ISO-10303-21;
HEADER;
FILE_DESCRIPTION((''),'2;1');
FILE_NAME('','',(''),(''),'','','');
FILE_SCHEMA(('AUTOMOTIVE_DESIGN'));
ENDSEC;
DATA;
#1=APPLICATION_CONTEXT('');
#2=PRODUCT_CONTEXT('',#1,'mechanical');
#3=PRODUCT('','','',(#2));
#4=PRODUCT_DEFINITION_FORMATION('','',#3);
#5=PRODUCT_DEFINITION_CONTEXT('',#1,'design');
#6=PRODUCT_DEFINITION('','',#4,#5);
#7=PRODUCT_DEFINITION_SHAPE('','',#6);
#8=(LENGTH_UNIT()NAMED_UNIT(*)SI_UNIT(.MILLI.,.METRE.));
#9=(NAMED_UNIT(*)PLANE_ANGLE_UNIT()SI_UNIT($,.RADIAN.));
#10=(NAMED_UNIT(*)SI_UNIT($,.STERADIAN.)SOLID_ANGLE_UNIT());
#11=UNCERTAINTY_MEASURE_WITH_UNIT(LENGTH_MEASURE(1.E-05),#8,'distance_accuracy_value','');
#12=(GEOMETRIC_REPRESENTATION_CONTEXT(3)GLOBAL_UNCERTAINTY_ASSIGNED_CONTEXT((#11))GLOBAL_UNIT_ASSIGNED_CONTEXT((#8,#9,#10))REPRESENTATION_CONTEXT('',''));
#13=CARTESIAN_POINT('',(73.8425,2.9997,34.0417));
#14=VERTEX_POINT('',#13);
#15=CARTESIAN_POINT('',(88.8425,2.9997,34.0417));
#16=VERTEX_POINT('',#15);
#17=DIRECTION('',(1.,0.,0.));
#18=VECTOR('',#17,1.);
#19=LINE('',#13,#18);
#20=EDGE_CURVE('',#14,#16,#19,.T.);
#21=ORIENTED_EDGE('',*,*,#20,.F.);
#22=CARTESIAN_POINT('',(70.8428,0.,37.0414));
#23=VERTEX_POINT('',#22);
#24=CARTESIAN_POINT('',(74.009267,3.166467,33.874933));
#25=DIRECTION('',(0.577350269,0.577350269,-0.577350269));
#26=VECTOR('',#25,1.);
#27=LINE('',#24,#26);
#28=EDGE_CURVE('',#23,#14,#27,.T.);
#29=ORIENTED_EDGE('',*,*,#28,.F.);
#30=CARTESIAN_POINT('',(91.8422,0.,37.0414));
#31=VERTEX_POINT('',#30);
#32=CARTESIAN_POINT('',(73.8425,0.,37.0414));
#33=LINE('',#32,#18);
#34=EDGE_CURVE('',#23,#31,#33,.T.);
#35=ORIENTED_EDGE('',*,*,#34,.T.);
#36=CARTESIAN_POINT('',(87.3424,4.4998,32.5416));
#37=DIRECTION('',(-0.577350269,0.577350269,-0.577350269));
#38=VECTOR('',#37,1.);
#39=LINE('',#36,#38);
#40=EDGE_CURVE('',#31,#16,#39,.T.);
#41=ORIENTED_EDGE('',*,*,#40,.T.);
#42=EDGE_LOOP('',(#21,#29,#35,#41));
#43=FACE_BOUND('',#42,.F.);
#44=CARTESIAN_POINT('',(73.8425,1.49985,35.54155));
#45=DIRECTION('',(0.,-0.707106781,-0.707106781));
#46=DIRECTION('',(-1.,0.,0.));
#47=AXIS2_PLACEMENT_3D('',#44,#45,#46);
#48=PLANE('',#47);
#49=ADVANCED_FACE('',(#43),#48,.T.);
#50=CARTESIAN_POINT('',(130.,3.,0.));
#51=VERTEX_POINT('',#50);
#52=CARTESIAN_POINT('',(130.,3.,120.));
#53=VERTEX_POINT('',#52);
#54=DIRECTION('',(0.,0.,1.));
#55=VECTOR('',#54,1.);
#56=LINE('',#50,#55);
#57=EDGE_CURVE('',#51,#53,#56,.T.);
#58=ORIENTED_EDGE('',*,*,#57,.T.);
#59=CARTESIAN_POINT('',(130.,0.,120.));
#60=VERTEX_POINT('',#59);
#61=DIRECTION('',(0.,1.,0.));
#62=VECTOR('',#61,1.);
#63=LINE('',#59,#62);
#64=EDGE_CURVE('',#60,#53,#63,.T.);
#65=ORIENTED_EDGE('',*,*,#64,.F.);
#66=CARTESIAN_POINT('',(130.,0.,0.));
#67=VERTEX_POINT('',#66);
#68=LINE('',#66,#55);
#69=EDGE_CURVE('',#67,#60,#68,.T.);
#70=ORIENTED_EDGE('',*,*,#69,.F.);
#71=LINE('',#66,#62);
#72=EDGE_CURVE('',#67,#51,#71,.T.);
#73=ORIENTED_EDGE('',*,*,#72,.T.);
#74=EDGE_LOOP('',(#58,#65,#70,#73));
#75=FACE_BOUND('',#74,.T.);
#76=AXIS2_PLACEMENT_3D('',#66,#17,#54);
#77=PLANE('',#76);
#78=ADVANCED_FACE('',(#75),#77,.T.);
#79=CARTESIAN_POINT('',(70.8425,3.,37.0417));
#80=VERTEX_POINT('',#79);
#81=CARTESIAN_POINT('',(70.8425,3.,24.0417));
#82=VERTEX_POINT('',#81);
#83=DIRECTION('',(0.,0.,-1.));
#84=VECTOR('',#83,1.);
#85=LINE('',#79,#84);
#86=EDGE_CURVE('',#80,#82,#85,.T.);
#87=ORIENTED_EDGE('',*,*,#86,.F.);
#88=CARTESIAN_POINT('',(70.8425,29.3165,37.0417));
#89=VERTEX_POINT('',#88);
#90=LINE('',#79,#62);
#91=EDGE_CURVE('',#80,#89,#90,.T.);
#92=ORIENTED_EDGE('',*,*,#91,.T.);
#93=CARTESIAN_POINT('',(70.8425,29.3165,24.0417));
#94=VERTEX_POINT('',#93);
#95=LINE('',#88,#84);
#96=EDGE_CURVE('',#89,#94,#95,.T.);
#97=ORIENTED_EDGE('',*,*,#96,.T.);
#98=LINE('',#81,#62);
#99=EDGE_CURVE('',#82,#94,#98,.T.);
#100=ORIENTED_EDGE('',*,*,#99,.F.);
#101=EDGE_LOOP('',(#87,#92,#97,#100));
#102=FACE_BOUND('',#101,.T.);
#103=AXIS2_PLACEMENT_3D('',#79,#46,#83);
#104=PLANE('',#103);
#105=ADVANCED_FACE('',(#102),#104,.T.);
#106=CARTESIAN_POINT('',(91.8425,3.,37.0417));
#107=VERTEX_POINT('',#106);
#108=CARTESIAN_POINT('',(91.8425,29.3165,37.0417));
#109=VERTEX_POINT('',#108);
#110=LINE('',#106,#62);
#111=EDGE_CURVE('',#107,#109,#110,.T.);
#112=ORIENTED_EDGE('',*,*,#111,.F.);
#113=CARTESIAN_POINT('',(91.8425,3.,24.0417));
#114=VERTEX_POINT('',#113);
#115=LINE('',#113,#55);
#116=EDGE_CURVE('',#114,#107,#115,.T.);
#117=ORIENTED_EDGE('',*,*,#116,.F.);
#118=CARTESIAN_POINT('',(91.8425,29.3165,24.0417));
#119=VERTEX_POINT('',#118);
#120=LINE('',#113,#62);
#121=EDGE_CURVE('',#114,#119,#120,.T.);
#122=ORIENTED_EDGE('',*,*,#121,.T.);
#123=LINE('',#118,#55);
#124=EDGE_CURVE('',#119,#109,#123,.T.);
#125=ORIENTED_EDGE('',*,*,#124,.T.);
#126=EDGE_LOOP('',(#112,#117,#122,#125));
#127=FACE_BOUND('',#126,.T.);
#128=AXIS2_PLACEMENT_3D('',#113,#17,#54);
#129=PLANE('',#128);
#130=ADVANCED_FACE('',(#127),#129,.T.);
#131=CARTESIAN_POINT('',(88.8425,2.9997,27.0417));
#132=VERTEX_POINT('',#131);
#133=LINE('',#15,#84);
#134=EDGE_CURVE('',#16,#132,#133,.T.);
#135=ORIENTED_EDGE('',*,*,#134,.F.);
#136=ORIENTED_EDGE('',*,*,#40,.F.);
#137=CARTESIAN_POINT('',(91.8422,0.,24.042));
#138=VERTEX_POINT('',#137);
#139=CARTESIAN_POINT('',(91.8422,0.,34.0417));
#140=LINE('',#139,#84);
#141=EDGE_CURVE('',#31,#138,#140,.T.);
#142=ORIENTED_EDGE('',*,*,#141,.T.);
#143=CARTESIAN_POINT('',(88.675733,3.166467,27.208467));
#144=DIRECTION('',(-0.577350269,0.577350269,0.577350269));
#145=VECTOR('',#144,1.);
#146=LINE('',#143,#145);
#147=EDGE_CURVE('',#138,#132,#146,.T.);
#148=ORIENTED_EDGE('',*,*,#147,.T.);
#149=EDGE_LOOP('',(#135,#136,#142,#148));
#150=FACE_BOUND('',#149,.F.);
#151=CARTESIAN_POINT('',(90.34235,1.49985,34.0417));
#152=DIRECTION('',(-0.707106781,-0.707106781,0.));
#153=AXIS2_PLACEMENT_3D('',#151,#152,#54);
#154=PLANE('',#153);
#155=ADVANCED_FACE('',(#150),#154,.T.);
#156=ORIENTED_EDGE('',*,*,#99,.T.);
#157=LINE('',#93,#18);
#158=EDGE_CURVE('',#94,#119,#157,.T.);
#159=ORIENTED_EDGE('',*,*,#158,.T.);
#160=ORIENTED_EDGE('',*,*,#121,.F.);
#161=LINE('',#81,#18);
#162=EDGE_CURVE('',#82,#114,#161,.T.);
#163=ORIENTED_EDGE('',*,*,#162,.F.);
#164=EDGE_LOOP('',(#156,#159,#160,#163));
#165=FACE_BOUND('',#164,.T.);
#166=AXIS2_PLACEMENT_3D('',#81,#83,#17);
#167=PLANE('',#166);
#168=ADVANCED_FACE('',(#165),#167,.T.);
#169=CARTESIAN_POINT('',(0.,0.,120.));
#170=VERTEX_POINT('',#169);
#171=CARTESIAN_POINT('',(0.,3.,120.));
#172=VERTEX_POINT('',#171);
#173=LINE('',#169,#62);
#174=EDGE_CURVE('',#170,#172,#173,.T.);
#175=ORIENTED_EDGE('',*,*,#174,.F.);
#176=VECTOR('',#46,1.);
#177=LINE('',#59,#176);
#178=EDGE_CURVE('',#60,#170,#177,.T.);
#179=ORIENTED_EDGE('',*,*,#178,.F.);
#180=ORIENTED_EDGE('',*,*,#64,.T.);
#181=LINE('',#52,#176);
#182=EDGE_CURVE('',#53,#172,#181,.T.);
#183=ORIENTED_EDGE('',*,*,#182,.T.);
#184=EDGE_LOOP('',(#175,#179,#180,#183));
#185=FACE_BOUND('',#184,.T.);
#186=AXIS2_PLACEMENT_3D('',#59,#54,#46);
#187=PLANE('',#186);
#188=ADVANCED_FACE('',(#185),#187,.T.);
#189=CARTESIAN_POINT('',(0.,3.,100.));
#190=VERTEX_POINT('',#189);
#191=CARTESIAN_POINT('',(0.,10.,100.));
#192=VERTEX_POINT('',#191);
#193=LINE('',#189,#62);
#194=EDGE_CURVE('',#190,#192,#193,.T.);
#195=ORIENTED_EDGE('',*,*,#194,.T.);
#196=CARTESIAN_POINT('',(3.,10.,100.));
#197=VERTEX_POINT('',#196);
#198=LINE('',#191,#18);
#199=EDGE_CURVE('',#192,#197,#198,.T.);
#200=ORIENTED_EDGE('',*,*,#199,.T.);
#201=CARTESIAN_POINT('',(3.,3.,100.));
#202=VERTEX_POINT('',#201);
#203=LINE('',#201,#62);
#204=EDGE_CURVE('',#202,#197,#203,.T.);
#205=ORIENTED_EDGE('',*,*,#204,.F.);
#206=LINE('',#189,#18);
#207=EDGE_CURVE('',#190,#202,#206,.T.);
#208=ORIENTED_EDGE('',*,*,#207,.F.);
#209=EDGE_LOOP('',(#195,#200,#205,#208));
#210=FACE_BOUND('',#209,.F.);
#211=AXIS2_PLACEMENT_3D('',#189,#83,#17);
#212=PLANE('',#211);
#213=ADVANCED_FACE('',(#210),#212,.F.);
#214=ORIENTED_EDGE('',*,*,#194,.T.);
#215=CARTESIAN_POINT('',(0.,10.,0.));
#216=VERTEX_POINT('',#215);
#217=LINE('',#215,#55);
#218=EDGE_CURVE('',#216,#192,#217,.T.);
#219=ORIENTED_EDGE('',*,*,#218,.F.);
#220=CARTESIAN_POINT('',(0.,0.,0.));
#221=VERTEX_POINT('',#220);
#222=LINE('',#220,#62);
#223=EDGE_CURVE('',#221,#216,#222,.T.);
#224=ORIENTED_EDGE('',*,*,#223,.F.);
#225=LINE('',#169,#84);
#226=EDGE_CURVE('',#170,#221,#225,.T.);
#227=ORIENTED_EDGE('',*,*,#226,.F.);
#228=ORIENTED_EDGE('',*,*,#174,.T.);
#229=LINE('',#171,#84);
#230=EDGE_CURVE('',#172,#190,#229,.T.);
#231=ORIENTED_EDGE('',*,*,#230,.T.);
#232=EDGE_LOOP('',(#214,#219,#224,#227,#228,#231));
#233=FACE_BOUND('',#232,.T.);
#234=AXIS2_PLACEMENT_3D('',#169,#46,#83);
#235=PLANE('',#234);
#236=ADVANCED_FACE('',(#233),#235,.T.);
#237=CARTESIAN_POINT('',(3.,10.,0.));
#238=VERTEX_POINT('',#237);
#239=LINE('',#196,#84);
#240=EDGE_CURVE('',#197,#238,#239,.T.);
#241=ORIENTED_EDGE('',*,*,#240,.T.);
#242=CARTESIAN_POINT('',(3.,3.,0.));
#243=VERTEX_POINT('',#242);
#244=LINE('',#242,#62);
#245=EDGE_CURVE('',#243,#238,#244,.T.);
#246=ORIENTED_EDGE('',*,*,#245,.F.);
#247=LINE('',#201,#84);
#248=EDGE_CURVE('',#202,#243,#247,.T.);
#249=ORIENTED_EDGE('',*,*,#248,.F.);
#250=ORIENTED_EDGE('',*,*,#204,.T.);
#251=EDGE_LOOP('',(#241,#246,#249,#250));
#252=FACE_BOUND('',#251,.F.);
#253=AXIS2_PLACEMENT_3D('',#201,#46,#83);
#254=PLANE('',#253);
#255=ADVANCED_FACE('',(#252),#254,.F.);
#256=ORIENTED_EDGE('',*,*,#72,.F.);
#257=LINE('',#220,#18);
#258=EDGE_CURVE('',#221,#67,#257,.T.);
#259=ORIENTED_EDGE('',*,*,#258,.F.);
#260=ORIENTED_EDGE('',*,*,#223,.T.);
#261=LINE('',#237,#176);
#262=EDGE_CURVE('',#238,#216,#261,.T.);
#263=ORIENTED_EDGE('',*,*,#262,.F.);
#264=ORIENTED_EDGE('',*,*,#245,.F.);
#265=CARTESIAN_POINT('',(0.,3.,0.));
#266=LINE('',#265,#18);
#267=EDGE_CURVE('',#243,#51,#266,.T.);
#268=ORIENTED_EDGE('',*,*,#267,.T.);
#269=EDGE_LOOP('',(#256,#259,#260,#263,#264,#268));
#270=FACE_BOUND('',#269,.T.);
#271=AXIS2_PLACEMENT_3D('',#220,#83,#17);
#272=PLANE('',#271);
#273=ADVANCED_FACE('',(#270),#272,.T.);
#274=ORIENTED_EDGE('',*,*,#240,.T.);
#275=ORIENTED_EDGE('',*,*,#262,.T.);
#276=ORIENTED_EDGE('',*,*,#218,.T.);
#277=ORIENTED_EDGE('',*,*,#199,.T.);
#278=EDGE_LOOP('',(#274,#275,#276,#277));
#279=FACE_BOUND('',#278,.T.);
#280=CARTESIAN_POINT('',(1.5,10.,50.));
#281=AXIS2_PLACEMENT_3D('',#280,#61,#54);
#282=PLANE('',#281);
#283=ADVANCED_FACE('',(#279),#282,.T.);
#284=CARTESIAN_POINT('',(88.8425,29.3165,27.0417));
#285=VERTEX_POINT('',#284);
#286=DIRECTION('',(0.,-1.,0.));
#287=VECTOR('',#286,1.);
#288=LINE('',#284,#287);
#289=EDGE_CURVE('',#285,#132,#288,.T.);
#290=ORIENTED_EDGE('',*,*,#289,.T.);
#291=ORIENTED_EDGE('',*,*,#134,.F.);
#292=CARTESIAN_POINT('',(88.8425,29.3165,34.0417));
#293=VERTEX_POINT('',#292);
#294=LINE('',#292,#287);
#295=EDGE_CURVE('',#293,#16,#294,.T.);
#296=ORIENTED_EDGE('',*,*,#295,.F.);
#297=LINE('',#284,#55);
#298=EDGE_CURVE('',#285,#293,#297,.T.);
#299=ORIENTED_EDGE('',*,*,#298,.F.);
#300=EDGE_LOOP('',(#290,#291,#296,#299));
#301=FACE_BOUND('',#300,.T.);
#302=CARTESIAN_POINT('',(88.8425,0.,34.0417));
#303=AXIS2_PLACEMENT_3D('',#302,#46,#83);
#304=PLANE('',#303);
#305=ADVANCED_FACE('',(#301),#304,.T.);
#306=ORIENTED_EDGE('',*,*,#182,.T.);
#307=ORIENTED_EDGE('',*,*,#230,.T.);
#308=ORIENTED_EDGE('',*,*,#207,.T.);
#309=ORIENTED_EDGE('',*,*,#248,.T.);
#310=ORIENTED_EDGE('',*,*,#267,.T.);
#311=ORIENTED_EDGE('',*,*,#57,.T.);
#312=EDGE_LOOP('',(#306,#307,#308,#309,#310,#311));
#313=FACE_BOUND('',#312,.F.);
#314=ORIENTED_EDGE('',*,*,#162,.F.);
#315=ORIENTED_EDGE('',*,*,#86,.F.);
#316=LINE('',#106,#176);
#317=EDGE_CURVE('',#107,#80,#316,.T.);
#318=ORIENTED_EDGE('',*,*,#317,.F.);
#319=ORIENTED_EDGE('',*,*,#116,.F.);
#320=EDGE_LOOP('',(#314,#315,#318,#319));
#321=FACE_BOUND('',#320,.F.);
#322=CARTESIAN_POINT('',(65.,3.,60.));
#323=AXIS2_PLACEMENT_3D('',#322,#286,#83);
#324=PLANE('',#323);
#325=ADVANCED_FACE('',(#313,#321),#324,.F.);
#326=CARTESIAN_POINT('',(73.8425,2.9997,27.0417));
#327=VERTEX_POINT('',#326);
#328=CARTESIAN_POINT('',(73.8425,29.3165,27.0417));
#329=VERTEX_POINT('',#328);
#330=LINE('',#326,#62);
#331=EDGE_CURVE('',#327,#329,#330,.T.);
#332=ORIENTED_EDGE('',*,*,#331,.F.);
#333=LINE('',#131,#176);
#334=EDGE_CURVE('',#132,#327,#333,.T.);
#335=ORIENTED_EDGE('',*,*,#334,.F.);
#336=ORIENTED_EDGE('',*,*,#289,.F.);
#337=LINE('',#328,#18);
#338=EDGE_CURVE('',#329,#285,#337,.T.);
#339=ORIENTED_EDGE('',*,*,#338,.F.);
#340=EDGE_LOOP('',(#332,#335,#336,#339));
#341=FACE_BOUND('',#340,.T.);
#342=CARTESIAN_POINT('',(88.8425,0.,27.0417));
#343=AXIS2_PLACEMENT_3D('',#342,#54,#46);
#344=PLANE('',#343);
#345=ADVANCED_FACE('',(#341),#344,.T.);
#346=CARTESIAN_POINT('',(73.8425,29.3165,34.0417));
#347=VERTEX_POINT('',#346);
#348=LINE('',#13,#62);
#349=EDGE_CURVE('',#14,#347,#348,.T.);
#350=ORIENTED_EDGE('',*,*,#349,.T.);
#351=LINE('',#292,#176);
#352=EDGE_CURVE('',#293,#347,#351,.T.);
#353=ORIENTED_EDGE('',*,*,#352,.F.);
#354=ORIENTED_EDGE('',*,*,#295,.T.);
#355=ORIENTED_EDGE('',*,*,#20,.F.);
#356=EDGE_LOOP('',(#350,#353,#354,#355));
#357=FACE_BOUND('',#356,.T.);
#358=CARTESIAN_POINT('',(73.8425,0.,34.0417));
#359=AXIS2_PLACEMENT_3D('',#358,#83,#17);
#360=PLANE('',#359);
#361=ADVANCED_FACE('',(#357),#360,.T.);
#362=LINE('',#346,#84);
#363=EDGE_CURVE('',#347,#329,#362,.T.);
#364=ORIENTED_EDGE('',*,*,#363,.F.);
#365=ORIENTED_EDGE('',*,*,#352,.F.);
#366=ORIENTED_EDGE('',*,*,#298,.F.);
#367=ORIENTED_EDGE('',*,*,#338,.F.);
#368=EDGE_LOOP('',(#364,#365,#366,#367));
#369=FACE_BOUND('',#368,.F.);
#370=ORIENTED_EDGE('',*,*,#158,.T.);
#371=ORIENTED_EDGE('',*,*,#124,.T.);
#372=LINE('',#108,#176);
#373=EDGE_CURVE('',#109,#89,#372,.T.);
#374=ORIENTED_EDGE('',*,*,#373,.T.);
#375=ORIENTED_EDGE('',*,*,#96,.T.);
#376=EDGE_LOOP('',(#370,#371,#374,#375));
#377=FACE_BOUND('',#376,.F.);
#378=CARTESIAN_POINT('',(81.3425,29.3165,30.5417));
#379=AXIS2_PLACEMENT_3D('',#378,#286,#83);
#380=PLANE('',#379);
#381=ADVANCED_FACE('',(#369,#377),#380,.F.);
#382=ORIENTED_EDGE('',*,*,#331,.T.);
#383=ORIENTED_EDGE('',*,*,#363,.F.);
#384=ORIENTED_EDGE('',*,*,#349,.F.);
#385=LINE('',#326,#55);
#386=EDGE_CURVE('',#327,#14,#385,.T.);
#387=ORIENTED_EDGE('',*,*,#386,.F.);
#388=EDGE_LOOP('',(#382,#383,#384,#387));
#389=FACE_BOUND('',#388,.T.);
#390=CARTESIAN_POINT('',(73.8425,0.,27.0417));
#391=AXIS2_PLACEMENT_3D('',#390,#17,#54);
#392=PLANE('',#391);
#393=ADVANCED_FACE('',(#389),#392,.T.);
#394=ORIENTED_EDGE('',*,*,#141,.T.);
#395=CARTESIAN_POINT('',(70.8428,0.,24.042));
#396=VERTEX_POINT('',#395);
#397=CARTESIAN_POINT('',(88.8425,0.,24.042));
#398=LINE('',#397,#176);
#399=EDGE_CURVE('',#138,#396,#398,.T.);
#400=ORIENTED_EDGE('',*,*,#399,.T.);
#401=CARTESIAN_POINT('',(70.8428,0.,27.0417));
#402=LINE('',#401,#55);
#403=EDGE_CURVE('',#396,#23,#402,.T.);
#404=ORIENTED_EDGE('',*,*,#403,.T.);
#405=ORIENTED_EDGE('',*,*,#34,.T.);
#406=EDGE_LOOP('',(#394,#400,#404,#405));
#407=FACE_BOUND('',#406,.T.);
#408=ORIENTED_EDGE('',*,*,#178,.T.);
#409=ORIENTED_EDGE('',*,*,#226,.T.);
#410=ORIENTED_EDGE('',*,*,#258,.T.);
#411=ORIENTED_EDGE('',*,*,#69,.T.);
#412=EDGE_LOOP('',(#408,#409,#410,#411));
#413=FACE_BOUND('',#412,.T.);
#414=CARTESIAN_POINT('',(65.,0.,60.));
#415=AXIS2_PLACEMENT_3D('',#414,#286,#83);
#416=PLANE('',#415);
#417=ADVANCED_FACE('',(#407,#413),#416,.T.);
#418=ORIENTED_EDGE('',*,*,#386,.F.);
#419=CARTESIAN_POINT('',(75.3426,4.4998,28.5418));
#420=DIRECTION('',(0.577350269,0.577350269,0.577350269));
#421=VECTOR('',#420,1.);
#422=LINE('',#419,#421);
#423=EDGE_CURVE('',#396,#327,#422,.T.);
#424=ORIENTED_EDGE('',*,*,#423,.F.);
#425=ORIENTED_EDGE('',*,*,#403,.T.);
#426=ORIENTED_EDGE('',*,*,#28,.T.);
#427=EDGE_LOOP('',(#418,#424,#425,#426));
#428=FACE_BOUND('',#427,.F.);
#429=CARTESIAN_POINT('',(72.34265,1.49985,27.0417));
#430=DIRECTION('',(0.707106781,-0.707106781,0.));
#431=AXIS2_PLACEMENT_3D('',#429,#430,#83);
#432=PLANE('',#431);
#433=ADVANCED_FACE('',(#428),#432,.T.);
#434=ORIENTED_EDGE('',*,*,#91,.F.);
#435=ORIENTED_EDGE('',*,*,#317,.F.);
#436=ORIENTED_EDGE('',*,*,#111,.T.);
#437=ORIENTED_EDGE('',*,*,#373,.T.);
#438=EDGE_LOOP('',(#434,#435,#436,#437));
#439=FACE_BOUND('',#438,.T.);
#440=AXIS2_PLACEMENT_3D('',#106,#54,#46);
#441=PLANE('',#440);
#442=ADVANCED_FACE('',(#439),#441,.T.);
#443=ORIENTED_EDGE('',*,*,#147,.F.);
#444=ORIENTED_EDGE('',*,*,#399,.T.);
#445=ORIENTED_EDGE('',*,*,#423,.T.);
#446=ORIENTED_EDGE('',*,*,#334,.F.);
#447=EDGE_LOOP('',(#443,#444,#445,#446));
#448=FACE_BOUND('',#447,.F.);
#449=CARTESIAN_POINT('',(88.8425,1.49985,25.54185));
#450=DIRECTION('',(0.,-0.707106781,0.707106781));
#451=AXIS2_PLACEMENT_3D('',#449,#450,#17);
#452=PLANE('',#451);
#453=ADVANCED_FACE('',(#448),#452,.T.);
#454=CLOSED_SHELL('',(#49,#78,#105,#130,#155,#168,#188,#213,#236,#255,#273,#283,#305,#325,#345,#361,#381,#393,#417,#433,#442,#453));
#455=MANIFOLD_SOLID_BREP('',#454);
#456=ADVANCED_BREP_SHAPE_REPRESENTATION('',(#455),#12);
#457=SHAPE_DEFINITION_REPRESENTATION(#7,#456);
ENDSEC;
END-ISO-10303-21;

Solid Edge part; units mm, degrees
sketch "Sketch1" plane through (0, 0, 0) normal (0, -1, 0) x (1, 0, 0)
  line L0 (130, 0) -> (130, 120)
  line L1 (130, 120) -> (0, 120)
  line L2 (0, 120) -> (0, 0)
  line L3 (0, 0) -> (130, 0)
extrude "Protrusion1" add sketch "Sketch1" against normal blind 3
sketch "Sketch2" plane through (66.405, 0, 60) normal (0, -1, 0) x (1, 0, 0)
  line L0 (22.4375, -32.9583) -> (7.4375, -32.9583)
  line L1 (7.4375, -32.9583) -> (7.4375, -25.9583)
  line L2 (7.4375, -25.9583) -> (22.4375, -25.9583)
  line L3 (22.4375, -25.9583) -> (22.4375, -32.9583)
extrude "Recorte_Extrudado_3" cut sketch "Sketch2" against normal blind 36.068
chamfer "Chanfro_1" distance 3 angle 45 4 edges at (81.3425, 0, 34.0417) (88.8425, 0, 30.5417) (81.3425, 0, 27.0417) (73.8425, 0, 30.5417)
sketch "Sketch3" plane through (67.905, 3, 60) normal (0, 1, 0) x (-1, 0, 0)
  line L0 (-2.9375, -35.9583) -> (-23.9375, -35.9583)
  line L1 (-23.9375, -35.9583) -> (-23.9375, -22.9583)
  line L2 (-23.9375, -22.9583) -> (-2.9375, -22.9583)
  line L3 (-2.9375, -22.9583) -> (-2.9375, -35.9583)
  line L4 (-5.9375, -32.9583) -> (-20.9375, -32.9583)
  line L5 (-20.9375, -32.9583) -> (-20.9375, -25.9583)
  line L6 (-20.9375, -25.9583) -> (-5.9375, -25.9583)
  line L7 (-5.9375, -25.9583) -> (-5.9375, -32.9583)
extrude "Protrusão_Extrudada_4" add sketch "Sketch3" along normal blind 26.3165
sketch "Sketch4" plane through (66.405, 3, 60) normal (0, 1, 0) x (-1, 0, 0)
  line L0 (66.405, -60) -> (66.405, 40)
  line L1 (66.405, 40) -> (63.405, 40)
  line L2 (63.405, 40) -> (63.405, -60)
  line L3 (63.405, -60) -> (66.405, -60)
extrude "Protrusão_Extrudada_6" add sketch "Sketch4" along normal blind 7
